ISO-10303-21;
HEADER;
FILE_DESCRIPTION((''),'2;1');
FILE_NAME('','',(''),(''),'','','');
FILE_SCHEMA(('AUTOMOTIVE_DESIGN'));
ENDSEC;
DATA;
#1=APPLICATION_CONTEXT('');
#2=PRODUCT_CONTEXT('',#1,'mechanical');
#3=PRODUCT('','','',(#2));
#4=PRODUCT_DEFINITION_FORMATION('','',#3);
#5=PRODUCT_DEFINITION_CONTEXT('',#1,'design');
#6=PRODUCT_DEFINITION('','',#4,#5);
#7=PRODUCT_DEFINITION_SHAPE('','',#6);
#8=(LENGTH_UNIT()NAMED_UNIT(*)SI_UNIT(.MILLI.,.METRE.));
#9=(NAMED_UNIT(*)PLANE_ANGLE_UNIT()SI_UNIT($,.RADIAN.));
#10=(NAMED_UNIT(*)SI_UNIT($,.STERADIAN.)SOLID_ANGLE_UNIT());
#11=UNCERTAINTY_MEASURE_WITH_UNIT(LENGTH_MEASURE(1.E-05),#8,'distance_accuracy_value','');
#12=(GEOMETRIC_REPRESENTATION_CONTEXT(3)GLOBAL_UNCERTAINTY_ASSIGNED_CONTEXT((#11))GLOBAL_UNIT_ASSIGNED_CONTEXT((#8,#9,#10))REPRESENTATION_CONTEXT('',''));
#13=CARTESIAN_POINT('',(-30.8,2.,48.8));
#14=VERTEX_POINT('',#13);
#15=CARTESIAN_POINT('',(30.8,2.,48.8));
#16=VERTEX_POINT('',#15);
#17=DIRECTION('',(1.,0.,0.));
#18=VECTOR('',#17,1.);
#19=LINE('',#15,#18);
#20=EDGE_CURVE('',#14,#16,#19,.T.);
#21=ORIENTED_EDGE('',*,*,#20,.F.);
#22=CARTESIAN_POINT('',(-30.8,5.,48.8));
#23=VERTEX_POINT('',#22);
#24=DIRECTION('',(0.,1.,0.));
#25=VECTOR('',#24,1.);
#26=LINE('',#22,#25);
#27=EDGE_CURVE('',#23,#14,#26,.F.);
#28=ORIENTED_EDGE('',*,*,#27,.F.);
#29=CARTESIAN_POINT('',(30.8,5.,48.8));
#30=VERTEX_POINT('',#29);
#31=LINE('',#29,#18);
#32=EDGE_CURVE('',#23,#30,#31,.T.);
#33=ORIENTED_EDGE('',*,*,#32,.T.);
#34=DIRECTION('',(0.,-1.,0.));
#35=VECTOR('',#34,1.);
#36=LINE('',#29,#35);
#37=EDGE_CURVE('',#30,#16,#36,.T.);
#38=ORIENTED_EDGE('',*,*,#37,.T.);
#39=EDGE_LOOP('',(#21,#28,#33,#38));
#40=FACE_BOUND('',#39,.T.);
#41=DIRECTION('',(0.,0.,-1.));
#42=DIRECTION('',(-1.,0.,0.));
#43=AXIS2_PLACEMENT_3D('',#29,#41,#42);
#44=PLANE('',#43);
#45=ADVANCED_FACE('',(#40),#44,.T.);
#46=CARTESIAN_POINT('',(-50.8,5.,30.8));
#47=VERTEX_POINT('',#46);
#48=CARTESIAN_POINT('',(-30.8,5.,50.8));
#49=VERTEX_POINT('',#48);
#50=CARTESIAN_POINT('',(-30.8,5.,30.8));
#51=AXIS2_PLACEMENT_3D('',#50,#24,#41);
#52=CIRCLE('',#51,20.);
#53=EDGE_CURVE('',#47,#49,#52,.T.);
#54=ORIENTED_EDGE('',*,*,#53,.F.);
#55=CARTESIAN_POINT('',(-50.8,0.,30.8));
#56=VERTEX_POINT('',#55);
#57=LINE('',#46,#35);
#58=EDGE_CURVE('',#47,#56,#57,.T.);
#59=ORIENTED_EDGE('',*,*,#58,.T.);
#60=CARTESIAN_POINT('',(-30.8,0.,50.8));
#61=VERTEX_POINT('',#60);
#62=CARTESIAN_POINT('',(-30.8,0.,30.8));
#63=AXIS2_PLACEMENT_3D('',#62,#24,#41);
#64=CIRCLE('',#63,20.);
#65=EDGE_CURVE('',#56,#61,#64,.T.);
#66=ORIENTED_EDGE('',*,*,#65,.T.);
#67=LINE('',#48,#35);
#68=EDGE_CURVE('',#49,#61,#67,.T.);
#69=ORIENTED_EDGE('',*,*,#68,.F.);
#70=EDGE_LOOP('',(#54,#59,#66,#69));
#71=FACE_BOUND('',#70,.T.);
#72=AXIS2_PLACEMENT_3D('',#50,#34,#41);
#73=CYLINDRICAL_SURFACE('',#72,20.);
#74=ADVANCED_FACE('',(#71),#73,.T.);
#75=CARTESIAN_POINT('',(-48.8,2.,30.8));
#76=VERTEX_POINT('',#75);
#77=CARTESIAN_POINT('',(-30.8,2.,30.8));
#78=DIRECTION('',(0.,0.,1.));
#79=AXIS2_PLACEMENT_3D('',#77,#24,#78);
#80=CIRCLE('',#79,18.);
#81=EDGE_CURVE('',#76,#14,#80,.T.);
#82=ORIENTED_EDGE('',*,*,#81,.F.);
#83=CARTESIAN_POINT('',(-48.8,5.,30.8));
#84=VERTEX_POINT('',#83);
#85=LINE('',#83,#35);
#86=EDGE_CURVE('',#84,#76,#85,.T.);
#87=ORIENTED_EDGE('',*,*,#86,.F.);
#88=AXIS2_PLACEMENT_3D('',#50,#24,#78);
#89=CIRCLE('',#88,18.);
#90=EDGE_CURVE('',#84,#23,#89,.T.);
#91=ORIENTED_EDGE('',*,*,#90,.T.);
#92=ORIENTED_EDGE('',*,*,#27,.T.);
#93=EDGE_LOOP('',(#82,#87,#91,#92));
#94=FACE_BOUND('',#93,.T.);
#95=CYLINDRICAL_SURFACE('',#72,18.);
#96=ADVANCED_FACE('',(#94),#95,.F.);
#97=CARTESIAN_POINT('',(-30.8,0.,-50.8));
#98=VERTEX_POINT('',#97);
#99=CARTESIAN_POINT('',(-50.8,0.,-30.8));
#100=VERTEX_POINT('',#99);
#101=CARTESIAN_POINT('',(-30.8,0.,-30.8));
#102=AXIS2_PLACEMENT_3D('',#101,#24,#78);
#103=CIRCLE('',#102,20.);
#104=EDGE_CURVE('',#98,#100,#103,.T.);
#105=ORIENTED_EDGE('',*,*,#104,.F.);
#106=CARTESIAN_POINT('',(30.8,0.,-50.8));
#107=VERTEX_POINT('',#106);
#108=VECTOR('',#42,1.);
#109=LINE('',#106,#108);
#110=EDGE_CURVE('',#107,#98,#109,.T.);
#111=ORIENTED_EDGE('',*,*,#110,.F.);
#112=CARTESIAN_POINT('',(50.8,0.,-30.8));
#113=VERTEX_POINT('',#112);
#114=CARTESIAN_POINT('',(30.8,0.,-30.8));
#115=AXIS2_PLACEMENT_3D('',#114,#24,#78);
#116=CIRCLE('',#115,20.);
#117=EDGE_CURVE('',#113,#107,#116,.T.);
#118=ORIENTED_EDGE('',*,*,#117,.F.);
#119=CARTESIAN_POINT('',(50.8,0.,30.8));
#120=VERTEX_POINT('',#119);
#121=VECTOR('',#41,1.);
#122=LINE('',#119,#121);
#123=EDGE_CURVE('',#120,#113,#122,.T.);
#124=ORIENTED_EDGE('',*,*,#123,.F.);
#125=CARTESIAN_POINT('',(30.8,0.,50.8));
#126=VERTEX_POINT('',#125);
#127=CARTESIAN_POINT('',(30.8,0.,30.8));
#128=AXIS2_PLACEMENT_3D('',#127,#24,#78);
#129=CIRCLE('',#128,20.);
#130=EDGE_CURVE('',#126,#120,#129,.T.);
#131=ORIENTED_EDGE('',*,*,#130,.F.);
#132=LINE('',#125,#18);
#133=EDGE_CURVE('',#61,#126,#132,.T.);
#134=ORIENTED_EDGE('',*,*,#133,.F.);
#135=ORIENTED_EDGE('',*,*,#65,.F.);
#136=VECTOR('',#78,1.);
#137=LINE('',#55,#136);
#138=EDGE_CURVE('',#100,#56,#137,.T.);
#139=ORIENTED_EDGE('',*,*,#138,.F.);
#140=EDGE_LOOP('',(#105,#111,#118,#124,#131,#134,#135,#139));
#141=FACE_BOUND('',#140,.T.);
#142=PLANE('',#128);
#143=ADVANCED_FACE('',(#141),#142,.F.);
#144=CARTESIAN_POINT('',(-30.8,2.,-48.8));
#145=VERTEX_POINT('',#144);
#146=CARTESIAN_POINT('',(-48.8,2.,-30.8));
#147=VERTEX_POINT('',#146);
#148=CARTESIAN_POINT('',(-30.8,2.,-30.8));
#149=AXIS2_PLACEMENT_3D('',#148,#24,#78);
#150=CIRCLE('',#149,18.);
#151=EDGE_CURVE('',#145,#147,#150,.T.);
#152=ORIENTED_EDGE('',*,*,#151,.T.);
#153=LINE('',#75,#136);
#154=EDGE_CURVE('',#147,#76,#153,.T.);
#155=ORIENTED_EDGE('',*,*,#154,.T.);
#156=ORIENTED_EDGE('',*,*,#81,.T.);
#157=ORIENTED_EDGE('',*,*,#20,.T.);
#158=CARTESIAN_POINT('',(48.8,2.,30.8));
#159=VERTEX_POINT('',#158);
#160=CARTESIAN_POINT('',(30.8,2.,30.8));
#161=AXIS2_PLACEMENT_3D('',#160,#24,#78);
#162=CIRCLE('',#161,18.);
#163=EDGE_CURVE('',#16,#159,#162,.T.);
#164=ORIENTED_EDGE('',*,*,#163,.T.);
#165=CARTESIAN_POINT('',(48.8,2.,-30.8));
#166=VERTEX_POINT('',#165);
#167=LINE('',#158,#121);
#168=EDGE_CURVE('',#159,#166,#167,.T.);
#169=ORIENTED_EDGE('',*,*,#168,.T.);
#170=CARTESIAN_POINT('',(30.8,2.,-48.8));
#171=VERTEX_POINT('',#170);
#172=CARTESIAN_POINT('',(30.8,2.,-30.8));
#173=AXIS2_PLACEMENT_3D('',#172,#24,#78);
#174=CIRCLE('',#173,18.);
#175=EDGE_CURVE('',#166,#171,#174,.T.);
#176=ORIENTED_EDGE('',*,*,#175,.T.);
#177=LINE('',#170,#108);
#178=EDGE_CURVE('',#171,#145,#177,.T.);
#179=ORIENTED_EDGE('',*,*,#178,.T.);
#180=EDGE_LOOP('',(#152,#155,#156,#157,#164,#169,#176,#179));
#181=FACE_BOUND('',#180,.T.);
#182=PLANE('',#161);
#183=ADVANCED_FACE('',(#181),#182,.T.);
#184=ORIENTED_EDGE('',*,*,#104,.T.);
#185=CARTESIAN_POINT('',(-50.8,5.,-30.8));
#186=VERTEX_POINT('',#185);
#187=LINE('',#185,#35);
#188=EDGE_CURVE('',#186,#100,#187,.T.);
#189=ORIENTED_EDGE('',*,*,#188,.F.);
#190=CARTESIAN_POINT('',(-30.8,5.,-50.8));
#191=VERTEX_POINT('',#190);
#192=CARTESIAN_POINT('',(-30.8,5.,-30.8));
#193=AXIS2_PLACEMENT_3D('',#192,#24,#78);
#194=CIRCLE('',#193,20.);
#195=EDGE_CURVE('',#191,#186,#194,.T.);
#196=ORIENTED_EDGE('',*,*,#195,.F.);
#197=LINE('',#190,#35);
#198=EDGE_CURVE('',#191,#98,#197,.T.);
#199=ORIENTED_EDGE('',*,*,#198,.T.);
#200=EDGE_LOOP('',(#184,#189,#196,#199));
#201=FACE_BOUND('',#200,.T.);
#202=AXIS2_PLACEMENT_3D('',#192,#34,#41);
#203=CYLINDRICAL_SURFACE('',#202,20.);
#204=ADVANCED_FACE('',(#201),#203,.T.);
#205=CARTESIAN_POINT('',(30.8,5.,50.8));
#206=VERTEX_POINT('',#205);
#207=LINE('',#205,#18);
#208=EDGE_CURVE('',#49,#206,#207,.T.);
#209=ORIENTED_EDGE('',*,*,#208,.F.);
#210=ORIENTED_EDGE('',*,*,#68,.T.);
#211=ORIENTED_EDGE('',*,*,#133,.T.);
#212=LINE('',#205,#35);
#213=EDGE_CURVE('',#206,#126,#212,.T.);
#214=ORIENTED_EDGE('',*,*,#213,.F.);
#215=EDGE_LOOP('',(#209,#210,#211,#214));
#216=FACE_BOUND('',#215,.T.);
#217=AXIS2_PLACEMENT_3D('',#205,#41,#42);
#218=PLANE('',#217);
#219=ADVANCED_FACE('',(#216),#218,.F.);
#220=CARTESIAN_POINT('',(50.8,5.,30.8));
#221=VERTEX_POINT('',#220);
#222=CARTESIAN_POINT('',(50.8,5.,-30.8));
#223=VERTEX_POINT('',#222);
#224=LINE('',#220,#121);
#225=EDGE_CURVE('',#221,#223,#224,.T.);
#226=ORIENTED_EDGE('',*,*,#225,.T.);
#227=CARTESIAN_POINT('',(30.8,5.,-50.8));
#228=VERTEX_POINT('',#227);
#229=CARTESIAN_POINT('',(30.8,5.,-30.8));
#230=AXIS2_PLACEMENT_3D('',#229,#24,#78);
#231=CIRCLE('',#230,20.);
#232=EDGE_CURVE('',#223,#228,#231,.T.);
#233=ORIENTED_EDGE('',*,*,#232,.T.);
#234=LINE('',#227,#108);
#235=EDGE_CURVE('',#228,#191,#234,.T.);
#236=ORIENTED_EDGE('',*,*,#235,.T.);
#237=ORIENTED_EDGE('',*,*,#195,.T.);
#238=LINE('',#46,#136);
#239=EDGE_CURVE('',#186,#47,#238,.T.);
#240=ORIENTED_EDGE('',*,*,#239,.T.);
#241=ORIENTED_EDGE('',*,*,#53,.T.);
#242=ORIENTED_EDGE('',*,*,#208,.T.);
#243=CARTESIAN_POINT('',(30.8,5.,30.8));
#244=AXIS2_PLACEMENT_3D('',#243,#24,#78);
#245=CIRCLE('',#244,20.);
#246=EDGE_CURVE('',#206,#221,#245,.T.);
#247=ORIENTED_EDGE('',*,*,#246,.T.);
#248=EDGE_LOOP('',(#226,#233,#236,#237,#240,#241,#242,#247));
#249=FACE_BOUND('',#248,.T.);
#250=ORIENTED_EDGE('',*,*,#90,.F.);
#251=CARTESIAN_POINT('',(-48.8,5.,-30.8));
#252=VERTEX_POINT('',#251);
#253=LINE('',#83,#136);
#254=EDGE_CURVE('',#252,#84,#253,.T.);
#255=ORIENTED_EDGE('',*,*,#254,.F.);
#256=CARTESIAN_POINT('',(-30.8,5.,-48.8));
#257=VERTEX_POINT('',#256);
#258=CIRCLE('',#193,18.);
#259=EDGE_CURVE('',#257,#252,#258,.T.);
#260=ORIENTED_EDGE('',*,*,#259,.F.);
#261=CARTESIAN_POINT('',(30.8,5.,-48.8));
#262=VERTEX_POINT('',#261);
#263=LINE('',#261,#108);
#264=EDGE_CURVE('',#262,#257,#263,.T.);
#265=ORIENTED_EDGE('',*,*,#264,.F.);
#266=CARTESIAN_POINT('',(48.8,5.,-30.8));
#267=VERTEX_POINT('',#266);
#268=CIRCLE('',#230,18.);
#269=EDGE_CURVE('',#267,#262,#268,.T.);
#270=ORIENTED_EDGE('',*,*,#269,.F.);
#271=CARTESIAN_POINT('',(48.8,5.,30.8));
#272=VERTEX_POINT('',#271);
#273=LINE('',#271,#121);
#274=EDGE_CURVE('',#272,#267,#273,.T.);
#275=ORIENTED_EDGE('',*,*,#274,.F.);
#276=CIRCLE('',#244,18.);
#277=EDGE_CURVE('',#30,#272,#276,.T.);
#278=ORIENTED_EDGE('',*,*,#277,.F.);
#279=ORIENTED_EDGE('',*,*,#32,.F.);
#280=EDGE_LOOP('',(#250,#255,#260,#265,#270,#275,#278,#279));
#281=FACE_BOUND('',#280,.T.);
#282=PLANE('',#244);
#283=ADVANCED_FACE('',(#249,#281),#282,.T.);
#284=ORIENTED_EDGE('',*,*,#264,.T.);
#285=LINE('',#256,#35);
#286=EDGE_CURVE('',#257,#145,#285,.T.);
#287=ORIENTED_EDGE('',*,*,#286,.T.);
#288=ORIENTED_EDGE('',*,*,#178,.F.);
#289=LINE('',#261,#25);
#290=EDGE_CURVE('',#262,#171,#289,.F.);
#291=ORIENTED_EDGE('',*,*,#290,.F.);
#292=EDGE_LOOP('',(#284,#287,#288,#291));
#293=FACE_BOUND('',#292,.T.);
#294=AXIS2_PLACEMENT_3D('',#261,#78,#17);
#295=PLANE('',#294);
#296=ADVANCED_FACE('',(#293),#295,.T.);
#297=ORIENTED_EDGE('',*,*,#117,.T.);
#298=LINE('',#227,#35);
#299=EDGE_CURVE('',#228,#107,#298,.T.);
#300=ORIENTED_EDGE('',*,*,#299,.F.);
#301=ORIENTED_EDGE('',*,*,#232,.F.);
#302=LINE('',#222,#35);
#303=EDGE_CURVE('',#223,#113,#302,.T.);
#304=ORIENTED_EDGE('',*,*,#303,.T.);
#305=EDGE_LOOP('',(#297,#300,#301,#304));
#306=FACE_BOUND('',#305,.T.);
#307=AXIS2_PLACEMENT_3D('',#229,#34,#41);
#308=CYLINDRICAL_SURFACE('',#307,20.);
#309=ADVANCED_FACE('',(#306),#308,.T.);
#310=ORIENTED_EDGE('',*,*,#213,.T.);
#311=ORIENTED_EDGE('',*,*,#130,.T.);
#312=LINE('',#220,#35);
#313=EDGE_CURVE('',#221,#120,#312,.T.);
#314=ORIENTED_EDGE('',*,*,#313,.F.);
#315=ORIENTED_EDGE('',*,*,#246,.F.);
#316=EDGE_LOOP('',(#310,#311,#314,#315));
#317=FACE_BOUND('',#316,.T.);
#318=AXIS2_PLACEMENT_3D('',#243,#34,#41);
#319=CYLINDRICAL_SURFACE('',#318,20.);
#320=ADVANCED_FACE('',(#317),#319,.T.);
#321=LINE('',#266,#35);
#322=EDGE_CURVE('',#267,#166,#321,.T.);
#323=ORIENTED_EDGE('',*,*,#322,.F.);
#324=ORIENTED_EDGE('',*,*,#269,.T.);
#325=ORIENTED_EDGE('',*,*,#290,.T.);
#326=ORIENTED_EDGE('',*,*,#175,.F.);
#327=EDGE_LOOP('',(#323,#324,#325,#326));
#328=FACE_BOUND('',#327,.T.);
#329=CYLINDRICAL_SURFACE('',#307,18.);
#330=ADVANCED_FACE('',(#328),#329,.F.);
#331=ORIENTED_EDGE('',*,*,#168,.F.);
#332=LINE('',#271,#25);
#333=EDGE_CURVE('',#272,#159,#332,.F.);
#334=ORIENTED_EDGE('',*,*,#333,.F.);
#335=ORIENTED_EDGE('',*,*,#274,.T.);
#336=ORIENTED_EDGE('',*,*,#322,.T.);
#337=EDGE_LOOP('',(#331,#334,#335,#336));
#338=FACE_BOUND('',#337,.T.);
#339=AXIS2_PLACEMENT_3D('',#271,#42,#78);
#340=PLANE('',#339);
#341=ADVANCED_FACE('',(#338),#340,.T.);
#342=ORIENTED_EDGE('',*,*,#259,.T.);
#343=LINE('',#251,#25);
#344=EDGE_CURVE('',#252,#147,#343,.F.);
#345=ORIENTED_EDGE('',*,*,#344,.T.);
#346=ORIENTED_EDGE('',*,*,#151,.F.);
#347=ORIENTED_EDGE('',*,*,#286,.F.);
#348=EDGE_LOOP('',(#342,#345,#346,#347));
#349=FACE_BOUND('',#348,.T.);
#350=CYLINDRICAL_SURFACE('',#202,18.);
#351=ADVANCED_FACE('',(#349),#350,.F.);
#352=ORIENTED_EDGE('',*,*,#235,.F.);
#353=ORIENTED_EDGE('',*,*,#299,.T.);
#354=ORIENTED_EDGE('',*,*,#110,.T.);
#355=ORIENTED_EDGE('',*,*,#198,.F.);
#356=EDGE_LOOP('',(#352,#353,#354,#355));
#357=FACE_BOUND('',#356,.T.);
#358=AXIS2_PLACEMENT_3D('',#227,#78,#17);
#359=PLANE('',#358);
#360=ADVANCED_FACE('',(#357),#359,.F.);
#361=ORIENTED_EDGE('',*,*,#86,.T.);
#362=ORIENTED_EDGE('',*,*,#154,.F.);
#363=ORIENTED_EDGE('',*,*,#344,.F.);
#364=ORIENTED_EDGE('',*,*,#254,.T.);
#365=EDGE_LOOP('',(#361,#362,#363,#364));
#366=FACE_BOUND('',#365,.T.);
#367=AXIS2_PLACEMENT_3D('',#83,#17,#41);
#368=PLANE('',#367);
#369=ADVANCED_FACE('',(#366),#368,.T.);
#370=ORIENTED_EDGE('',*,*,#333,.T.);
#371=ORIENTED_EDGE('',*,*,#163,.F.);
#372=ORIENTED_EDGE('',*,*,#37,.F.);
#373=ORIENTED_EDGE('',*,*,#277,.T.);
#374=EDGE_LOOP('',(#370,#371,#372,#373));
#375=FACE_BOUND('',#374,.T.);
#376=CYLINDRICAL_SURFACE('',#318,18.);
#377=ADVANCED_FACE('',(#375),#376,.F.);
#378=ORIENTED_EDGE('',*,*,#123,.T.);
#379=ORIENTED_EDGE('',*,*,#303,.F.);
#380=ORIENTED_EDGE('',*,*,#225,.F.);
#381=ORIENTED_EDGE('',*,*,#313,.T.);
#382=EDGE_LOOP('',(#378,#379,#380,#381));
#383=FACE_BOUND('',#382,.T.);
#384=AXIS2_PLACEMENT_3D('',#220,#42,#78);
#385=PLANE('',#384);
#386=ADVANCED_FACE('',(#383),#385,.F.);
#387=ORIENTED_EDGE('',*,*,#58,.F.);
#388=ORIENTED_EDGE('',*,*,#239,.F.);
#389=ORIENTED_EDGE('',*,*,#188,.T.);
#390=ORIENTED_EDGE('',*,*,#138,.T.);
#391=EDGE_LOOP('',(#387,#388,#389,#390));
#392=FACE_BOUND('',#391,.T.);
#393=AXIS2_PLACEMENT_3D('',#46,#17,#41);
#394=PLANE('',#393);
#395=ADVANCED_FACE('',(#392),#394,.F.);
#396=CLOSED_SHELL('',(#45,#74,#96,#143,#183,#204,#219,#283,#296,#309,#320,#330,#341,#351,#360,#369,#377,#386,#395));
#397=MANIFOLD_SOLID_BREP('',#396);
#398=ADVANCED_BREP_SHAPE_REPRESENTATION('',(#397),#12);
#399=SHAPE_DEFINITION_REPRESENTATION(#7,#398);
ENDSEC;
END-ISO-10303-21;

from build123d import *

# Parameters (mm, degrees)
BOSS_EXTRUDE1_DEPTH = 5
SHELL1_T            = -2


with BuildPart() as part:
    # Sketch1 → Boss-Extrude1 (new body)
    with BuildSketch(Plane(origin=(0, 0, 0), x_dir=(1, 0, 0), z_dir=(0, 1, 0))):
        with BuildLine():
            Line((30.8, -50.8), (-30.8, -50.8))
            ThreePointArc((-30.8, -50.8), (-44.942135624, -44.942135624), (-50.8, -30.8))
            Line((-50.8, -30.8), (-50.8, 30.8))
            ThreePointArc((-50.8, 30.8), (-44.942135624, 44.942135624), (-30.8, 50.8))
            Line((-30.8, 50.8), (30.8, 50.8))
            ThreePointArc((30.8, 50.8), (44.942135624, 44.942135624), (50.8, 30.8))
            Line((50.8, 30.8), (50.8, -30.8))
            ThreePointArc((50.8, -30.8), (44.942135624, -44.942135624), (30.8, -50.8))
        make_face()
    extrude(amount=BOSS_EXTRUDE1_DEPTH)

    # Shell1
    shell1_openings = [part.faces().sort_by_distance(p)[0] for p in [
        (0, 5, 0),
    ]]
    offset(amount=SHELL1_T, openings=shell1_openings, kind=Kind.INTERSECTION)


solid = part.part
